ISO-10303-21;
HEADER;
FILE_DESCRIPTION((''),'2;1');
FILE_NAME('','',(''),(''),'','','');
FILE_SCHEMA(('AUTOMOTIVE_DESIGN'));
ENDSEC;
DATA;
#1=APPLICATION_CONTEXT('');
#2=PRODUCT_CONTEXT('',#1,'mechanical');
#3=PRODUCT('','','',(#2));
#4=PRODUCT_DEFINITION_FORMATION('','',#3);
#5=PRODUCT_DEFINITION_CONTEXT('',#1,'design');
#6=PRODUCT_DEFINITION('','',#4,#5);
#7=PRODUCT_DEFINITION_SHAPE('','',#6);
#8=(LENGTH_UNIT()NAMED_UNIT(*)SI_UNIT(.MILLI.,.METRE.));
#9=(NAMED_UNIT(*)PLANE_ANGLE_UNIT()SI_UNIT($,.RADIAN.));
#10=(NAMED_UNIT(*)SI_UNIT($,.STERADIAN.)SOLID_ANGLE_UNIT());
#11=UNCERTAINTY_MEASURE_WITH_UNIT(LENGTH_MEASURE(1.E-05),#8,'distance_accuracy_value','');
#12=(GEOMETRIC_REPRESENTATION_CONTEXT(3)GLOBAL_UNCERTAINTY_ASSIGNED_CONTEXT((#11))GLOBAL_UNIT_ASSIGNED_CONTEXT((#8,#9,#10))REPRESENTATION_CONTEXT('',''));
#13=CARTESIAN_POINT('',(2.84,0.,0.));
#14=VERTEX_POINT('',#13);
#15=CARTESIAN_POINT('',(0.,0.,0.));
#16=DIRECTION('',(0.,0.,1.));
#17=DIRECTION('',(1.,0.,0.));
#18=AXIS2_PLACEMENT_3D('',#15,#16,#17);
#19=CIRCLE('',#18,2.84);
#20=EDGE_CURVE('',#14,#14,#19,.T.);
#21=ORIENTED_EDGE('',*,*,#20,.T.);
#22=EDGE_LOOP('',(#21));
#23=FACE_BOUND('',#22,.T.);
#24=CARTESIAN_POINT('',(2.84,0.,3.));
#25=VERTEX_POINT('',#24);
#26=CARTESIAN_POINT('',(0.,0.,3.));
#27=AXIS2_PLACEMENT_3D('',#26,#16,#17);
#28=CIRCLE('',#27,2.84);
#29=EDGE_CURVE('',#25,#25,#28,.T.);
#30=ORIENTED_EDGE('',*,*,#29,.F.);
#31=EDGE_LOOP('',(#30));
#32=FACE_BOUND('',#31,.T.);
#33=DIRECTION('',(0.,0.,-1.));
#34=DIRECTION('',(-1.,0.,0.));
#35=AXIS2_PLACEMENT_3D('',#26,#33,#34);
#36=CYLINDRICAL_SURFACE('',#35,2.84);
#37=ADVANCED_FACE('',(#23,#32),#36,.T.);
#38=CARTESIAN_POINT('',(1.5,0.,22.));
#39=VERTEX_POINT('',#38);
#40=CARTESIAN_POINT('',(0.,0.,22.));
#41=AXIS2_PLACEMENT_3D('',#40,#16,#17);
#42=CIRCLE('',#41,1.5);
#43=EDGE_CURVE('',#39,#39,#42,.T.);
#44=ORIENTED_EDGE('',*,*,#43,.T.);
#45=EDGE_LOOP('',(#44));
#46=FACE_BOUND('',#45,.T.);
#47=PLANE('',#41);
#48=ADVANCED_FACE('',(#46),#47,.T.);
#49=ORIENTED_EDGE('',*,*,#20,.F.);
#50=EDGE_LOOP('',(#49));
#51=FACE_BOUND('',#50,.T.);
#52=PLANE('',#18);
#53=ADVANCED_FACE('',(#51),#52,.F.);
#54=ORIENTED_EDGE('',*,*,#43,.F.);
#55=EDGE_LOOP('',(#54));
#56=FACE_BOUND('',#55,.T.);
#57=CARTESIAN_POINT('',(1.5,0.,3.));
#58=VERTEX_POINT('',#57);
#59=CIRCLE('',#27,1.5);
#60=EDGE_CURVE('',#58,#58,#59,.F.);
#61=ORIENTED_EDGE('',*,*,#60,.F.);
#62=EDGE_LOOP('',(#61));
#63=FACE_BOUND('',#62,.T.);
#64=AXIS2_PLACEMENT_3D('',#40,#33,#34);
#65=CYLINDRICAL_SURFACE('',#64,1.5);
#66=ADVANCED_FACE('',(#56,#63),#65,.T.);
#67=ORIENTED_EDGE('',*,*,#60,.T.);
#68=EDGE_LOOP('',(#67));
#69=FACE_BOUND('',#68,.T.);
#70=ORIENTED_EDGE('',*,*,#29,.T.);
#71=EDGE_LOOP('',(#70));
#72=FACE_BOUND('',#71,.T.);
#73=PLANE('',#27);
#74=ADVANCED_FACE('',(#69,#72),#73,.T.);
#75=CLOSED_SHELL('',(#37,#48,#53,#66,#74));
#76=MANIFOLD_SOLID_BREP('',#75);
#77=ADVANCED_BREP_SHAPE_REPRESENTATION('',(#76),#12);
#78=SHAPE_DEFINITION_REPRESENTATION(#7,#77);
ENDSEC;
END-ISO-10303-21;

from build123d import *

# Parameters (mm, degrees)
SKETCH_1_R      = 2.84
EXTRUDE_1_DEPTH = 3
SKETCH_2_R      = 1.5
EXTRUDE_2_DEPTH = 22


with BuildPart() as part:
    # 草图1 → 凸台-拉伸1 (new body)
    with BuildSketch(Plane.XY):
        Circle(SKETCH_1_R)
    extrude(amount=EXTRUDE_1_DEPTH)

    # 草图2 → 凸台-拉伸2 (add)
    with BuildSketch(Plane.XY):
        Circle(SKETCH_2_R)
    extrude(amount=EXTRUDE_2_DEPTH)


solid = part.part
